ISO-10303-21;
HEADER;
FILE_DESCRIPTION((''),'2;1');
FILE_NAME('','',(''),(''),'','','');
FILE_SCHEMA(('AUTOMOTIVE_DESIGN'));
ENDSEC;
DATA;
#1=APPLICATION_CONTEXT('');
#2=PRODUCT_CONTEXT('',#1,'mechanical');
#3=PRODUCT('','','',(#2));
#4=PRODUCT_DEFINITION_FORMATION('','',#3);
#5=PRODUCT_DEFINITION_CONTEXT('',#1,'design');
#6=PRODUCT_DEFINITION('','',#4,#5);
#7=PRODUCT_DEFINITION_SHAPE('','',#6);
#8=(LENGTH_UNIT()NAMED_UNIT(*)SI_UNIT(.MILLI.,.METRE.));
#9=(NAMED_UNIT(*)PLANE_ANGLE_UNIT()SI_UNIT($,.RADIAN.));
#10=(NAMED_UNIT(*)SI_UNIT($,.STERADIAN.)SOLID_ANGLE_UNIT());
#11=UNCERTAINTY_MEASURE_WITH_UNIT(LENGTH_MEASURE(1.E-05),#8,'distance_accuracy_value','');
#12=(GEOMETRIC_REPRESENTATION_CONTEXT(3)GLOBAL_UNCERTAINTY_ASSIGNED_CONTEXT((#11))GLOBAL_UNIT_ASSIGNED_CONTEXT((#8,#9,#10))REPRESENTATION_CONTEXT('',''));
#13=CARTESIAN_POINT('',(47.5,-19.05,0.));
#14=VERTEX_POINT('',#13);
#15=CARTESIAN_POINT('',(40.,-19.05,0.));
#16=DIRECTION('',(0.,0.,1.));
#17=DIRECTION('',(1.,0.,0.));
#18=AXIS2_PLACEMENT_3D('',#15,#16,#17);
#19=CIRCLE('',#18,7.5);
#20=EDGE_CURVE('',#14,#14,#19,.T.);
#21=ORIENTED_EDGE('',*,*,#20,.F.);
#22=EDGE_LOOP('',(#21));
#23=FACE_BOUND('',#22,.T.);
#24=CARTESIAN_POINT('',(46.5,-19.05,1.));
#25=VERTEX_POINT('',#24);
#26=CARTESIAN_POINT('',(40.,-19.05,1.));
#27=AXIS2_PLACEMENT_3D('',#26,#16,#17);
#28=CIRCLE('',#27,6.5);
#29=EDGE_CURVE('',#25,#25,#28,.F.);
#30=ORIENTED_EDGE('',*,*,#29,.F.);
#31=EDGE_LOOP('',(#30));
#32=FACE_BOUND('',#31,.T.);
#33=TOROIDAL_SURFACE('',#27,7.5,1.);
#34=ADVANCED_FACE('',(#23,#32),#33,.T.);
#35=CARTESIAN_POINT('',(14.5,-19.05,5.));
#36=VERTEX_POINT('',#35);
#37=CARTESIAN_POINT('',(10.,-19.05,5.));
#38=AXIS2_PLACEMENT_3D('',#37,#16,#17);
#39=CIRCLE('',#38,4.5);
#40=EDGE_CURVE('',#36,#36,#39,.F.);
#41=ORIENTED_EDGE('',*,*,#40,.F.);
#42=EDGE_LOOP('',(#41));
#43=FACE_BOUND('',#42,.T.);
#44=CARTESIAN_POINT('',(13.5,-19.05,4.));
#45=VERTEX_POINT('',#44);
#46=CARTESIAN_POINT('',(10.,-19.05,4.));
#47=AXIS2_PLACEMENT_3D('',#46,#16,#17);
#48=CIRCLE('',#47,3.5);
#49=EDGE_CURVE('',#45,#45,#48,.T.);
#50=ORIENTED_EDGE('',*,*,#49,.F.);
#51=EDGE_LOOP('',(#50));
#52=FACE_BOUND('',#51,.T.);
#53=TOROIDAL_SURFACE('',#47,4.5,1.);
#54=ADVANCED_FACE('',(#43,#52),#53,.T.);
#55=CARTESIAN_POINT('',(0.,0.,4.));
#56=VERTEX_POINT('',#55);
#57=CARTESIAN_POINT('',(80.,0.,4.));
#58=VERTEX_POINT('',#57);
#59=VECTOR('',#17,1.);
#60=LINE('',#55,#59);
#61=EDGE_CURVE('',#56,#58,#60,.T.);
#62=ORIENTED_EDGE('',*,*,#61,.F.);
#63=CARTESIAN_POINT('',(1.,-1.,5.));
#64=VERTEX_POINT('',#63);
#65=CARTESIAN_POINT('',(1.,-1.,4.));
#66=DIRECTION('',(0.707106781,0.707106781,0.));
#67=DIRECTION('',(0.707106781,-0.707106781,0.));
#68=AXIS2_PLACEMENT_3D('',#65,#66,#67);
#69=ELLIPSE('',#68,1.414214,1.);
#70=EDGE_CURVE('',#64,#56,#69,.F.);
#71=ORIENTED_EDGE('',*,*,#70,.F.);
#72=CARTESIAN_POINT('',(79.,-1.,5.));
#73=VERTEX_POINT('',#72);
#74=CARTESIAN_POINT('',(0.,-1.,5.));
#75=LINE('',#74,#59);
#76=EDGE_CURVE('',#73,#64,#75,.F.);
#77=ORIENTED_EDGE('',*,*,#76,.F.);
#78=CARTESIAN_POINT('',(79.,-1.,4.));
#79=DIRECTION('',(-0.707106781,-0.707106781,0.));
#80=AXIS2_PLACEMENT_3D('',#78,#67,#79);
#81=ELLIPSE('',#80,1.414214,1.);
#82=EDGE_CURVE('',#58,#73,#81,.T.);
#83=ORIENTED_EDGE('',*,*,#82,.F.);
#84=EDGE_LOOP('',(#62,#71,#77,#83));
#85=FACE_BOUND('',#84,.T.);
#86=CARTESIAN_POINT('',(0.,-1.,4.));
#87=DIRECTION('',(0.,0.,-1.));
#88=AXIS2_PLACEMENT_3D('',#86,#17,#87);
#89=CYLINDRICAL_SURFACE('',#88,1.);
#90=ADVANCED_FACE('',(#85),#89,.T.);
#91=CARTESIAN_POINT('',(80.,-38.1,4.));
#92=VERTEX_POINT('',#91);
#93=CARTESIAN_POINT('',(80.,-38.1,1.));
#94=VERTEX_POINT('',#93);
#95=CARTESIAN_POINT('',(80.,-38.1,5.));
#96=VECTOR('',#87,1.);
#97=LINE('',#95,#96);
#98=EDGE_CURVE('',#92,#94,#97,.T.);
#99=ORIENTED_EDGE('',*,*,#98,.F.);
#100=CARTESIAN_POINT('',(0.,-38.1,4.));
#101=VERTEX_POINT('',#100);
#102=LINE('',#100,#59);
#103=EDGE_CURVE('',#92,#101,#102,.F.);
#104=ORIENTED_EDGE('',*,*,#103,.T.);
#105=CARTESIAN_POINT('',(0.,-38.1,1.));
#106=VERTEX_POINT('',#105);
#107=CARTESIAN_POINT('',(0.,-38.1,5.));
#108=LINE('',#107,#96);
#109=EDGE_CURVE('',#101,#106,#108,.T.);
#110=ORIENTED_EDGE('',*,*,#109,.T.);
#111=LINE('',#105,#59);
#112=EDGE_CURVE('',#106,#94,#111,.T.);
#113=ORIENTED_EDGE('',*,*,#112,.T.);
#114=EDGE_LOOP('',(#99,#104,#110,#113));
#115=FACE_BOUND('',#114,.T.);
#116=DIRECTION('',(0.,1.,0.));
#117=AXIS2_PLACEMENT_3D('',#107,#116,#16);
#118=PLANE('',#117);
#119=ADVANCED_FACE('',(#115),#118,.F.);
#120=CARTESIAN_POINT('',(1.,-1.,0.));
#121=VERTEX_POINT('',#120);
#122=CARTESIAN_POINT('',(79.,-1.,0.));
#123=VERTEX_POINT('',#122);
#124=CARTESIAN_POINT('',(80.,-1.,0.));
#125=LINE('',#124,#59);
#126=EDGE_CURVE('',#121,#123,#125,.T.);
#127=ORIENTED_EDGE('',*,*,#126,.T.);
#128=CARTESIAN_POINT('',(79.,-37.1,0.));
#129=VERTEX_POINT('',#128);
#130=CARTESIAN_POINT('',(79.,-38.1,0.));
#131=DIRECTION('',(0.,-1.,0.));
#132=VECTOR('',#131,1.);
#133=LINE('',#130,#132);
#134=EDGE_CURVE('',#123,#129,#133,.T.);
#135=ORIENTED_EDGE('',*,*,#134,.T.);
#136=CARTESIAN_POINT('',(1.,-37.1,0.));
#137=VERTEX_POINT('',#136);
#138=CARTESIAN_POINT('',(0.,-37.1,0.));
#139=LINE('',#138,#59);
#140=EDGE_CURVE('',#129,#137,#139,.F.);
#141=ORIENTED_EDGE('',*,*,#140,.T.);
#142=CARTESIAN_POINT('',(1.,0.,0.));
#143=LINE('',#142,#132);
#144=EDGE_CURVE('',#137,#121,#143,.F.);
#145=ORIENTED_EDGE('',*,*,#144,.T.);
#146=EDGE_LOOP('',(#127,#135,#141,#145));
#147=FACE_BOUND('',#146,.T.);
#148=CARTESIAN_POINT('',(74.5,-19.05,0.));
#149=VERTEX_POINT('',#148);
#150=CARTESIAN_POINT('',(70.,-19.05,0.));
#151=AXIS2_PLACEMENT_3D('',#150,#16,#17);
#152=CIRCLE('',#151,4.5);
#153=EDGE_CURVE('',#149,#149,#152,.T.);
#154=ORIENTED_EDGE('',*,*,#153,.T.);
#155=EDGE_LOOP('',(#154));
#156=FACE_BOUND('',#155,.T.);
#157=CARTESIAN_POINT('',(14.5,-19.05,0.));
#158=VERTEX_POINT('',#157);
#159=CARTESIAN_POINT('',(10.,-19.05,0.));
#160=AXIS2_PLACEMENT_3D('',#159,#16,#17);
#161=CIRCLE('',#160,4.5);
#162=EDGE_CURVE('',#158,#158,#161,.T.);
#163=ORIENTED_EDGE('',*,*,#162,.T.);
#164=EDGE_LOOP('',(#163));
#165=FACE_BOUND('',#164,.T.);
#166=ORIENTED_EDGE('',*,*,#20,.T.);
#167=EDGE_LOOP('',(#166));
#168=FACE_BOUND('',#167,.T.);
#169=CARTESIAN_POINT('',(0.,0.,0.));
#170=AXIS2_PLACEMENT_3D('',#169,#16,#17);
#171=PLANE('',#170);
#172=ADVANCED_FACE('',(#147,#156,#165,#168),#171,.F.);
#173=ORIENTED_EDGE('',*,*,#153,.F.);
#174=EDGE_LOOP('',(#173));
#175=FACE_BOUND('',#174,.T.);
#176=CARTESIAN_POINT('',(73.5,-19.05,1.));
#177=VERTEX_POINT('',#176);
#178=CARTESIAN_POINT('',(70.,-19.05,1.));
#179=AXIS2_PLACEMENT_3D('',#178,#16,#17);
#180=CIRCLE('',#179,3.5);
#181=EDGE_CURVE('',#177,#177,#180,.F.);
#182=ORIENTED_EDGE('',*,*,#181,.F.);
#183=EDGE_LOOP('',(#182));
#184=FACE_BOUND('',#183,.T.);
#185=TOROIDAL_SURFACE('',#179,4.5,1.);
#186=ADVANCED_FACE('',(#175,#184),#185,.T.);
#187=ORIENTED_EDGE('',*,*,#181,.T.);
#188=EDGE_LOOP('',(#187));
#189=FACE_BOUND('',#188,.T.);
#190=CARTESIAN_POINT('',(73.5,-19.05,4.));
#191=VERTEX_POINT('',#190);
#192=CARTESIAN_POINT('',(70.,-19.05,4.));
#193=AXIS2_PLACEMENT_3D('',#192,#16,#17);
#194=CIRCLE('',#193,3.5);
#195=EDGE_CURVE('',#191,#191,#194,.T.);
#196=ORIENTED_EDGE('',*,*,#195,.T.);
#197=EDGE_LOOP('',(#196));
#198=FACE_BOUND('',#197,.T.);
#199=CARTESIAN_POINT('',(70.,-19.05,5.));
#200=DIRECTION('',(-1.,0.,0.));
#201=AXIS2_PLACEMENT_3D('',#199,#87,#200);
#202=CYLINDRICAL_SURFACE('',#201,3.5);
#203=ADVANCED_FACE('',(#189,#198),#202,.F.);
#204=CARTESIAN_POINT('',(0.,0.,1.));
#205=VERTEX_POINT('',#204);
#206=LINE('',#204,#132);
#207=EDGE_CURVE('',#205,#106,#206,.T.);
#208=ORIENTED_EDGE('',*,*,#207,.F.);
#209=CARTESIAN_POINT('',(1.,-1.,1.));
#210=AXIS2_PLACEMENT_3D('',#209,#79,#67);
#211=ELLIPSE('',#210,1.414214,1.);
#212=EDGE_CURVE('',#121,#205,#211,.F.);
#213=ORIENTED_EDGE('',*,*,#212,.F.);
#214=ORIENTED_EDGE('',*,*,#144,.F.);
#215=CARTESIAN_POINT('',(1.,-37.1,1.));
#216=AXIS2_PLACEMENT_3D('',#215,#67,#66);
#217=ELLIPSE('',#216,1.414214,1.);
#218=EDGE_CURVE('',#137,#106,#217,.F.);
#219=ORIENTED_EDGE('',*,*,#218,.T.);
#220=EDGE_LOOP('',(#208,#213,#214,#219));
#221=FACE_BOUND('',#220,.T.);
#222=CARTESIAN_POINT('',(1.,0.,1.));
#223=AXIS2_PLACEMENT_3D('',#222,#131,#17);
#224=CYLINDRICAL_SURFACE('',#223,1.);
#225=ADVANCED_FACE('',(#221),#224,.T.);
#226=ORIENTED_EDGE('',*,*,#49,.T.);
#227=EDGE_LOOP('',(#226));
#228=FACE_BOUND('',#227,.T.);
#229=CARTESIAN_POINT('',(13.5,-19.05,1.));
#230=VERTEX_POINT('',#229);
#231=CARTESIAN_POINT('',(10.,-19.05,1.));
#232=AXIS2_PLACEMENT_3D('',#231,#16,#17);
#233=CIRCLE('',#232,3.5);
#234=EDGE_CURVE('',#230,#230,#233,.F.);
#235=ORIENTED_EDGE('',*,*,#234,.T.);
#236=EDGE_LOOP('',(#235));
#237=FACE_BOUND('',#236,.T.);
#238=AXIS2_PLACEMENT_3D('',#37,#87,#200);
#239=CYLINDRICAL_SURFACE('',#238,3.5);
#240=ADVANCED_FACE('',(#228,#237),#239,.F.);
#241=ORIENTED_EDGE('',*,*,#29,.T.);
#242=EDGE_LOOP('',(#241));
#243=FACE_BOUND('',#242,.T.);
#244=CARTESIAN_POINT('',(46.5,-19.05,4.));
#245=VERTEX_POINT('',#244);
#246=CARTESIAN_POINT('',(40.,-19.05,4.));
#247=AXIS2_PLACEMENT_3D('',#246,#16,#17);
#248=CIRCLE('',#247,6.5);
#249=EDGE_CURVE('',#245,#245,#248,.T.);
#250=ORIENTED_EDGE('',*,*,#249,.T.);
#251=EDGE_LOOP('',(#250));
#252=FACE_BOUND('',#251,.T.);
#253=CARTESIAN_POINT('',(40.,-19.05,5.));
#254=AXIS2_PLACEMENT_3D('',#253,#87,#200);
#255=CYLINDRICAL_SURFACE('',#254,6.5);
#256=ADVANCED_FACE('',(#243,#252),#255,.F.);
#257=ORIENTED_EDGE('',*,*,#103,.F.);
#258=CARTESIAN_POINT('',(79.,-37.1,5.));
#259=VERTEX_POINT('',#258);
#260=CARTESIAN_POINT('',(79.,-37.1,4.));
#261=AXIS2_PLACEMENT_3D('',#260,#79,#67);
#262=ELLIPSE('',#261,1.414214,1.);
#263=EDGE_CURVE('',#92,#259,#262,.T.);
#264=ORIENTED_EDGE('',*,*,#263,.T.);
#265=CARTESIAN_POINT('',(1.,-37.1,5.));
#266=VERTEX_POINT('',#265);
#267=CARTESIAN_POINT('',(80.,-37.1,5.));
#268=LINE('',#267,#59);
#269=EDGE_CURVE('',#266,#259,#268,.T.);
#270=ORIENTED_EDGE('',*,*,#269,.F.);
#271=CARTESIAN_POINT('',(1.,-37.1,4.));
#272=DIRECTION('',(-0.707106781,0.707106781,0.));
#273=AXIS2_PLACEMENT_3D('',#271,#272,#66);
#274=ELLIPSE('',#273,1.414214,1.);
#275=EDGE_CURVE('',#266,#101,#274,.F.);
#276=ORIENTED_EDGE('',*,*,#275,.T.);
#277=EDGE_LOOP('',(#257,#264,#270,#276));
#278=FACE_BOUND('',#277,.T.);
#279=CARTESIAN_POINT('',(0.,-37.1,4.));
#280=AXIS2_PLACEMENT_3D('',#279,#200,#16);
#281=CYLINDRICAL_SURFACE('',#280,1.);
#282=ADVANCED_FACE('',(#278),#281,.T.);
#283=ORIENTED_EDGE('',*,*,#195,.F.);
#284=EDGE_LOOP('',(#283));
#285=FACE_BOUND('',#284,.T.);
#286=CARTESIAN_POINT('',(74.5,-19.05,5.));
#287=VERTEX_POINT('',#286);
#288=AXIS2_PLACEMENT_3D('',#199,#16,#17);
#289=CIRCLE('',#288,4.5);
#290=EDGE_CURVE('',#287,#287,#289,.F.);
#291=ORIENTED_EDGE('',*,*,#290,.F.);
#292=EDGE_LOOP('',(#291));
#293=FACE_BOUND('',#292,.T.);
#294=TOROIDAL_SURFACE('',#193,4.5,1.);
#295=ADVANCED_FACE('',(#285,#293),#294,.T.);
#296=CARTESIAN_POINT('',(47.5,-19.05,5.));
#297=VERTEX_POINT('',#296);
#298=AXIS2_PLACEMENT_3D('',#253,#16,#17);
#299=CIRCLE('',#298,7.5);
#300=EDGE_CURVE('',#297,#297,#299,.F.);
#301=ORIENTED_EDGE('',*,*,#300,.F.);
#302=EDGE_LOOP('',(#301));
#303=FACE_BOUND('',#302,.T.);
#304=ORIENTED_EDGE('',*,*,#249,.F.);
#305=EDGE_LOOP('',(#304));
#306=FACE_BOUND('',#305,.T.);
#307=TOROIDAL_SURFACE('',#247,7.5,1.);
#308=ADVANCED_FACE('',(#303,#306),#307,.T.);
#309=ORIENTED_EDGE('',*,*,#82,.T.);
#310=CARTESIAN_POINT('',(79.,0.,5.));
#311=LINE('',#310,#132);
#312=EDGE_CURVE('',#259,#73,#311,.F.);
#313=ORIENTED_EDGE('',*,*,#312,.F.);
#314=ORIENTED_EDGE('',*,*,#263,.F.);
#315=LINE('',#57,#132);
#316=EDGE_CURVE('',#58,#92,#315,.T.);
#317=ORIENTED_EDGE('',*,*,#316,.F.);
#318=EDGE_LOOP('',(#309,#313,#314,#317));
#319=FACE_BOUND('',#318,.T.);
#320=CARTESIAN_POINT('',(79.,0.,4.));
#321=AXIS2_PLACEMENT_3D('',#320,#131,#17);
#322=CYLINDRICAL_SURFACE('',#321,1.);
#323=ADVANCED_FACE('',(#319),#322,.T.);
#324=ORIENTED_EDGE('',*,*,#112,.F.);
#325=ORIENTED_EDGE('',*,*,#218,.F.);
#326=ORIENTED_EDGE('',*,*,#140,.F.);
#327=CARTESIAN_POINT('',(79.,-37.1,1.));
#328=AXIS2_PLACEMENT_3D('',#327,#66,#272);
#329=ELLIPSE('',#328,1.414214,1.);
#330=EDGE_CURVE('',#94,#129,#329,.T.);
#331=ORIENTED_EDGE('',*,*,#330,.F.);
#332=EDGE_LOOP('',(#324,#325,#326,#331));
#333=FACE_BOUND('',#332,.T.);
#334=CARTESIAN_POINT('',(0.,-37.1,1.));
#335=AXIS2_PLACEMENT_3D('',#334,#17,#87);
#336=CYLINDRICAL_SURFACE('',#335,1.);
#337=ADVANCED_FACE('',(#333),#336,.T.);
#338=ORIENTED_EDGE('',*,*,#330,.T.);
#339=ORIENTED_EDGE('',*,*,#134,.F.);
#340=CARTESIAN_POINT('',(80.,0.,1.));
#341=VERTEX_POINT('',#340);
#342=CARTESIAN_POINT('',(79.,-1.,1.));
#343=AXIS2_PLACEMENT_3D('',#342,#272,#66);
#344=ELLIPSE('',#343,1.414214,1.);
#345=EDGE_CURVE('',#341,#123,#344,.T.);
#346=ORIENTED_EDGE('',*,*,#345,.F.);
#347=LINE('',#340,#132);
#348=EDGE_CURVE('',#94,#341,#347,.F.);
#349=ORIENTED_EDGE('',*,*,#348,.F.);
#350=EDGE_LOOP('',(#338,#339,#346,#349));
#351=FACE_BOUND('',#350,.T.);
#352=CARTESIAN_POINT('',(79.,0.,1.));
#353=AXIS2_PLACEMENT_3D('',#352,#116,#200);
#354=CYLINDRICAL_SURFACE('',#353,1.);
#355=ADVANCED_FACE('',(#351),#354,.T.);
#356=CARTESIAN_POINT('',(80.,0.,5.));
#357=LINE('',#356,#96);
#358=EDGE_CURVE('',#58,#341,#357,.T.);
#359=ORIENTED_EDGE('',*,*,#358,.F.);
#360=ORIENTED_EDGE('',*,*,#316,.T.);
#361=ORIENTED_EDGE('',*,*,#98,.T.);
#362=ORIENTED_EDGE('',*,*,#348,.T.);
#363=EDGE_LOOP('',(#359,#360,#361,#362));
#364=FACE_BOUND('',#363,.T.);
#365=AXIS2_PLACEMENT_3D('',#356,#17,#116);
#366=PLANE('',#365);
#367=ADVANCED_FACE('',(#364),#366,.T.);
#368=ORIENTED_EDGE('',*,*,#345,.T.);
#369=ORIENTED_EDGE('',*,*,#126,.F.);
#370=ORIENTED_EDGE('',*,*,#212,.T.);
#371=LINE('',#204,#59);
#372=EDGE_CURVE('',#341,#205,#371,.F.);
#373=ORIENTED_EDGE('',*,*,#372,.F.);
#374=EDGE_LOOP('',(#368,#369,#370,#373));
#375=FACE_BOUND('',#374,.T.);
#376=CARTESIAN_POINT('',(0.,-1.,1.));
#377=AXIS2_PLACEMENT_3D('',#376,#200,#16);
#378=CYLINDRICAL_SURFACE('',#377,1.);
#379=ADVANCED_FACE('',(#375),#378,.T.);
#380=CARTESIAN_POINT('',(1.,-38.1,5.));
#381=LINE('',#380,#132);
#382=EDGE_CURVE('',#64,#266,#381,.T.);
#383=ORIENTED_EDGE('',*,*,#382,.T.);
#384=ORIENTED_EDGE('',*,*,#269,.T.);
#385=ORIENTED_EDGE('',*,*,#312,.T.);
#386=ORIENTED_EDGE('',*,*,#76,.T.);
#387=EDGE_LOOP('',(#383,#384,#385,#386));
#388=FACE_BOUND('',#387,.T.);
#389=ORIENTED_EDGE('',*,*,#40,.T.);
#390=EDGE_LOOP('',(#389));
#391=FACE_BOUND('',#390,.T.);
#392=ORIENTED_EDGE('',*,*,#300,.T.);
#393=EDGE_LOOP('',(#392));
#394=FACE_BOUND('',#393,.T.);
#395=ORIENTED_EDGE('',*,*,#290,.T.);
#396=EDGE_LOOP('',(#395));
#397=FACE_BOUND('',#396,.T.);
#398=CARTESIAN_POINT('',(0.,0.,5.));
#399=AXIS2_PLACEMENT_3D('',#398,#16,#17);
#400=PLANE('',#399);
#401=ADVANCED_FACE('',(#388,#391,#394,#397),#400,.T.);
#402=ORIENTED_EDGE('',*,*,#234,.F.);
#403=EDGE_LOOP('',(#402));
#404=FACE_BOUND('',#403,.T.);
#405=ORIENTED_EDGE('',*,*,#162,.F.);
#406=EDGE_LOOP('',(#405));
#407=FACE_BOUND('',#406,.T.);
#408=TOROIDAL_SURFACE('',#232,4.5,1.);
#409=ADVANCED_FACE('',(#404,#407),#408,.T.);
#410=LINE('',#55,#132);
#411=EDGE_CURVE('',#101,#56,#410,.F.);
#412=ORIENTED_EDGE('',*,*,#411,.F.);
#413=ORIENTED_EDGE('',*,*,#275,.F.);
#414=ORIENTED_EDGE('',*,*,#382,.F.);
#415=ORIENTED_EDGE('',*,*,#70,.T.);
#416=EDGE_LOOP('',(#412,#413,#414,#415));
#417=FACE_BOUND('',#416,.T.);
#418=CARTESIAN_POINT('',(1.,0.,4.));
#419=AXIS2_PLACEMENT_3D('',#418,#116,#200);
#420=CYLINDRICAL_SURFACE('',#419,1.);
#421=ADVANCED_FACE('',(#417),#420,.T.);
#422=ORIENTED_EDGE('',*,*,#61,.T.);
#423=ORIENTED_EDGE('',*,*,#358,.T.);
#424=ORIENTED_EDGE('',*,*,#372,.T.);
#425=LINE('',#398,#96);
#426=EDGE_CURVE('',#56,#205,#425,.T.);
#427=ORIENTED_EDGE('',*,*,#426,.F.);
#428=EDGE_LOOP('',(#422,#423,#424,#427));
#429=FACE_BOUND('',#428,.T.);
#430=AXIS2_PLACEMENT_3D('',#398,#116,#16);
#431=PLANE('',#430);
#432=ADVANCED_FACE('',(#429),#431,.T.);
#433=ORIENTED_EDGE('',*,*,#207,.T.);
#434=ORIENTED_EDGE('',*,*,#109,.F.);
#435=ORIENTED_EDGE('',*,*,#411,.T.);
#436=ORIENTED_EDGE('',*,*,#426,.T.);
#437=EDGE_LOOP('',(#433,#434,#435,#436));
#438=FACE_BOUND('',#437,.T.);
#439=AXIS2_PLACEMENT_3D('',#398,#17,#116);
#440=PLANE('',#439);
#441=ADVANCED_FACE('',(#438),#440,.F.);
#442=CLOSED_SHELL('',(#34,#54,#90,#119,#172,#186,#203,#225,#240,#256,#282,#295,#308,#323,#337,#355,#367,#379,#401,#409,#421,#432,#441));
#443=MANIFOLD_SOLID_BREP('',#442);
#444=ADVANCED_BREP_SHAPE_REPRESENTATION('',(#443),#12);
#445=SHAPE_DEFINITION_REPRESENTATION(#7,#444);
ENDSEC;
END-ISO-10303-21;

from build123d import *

# Parameters (mm, degrees)
SKETCH2_W           = 80
SKETCH2_H           = 38.1
SKETCH2_R           = 5
SKETCH2_R_2         = 10.5
SKETCH2_R_3         = 6.5
SKETCH2_R_4         = 3.5
BOSS_EXTRUDE1_DEPTH = 5
FILLET1_R           = 1


with BuildPart() as part:
    # Sketch2 → Boss-Extrude1 (new body)
    # profile 1 of 4: a face of its own
    with BuildSketch(Plane.XY):
        with Locations((40, -19.05)):
            Rectangle(SKETCH2_W, SKETCH2_H)
        with Locations((70, -19.05)):
            Circle(SKETCH2_R, mode=Mode.SUBTRACT)
        with Locations((10, -19.05)):
            Circle(SKETCH2_R, mode=Mode.SUBTRACT)
        with Locations((40, -19.05)):
            Circle(SKETCH2_R_2, mode=Mode.SUBTRACT)
    # profile 2 of 4: a face of its own
    with BuildSketch(Plane.XY):
        with Locations((40, -19.05)):
            Circle(SKETCH2_R_2)
        with Locations((40, -19.05)):
            Circle(SKETCH2_R_3, mode=Mode.SUBTRACT)
    # profile 3 of 4: a face of its own
    with BuildSketch(Plane.XY):
        with Locations((10, -19.05)):
            Circle(SKETCH2_R)
        with Locations((10, -19.05)):
            Circle(SKETCH2_R_4, mode=Mode.SUBTRACT)
    # profile 4 of 4: a face of its own
    with BuildSketch(Plane.XY):
        with Locations((70, -19.05)):
            Circle(SKETCH2_R)
        with Locations((70, -19.05)):
            Circle(SKETCH2_R_4, mode=Mode.SUBTRACT)
    extrude(amount=BOSS_EXTRUDE1_DEPTH)

    # Fillet1
    fillet1_edges = [part.edges().sort_by_distance(p)[0] for p in [
        (33.5, -19.05, 0),
        (40, -38.1, 0),
        (0, -19.05, 0),
        (40, 0, 0),
        (80, -19.05, 0),
        (40, 0, 5),
        (0, -19.05, 5),
        (40, -38.1, 5),
        (33.5, -19.05, 5),
        (6.5, -19.05, 5),
        (66.5, -19.05, 5),
        (80, -19.05, 5),
        (66.5, -19.05, 0),
        (6.5, -19.05, 0),
    ]]
    fillet(fillet1_edges, radius=FILLET1_R)


solid = part.part
